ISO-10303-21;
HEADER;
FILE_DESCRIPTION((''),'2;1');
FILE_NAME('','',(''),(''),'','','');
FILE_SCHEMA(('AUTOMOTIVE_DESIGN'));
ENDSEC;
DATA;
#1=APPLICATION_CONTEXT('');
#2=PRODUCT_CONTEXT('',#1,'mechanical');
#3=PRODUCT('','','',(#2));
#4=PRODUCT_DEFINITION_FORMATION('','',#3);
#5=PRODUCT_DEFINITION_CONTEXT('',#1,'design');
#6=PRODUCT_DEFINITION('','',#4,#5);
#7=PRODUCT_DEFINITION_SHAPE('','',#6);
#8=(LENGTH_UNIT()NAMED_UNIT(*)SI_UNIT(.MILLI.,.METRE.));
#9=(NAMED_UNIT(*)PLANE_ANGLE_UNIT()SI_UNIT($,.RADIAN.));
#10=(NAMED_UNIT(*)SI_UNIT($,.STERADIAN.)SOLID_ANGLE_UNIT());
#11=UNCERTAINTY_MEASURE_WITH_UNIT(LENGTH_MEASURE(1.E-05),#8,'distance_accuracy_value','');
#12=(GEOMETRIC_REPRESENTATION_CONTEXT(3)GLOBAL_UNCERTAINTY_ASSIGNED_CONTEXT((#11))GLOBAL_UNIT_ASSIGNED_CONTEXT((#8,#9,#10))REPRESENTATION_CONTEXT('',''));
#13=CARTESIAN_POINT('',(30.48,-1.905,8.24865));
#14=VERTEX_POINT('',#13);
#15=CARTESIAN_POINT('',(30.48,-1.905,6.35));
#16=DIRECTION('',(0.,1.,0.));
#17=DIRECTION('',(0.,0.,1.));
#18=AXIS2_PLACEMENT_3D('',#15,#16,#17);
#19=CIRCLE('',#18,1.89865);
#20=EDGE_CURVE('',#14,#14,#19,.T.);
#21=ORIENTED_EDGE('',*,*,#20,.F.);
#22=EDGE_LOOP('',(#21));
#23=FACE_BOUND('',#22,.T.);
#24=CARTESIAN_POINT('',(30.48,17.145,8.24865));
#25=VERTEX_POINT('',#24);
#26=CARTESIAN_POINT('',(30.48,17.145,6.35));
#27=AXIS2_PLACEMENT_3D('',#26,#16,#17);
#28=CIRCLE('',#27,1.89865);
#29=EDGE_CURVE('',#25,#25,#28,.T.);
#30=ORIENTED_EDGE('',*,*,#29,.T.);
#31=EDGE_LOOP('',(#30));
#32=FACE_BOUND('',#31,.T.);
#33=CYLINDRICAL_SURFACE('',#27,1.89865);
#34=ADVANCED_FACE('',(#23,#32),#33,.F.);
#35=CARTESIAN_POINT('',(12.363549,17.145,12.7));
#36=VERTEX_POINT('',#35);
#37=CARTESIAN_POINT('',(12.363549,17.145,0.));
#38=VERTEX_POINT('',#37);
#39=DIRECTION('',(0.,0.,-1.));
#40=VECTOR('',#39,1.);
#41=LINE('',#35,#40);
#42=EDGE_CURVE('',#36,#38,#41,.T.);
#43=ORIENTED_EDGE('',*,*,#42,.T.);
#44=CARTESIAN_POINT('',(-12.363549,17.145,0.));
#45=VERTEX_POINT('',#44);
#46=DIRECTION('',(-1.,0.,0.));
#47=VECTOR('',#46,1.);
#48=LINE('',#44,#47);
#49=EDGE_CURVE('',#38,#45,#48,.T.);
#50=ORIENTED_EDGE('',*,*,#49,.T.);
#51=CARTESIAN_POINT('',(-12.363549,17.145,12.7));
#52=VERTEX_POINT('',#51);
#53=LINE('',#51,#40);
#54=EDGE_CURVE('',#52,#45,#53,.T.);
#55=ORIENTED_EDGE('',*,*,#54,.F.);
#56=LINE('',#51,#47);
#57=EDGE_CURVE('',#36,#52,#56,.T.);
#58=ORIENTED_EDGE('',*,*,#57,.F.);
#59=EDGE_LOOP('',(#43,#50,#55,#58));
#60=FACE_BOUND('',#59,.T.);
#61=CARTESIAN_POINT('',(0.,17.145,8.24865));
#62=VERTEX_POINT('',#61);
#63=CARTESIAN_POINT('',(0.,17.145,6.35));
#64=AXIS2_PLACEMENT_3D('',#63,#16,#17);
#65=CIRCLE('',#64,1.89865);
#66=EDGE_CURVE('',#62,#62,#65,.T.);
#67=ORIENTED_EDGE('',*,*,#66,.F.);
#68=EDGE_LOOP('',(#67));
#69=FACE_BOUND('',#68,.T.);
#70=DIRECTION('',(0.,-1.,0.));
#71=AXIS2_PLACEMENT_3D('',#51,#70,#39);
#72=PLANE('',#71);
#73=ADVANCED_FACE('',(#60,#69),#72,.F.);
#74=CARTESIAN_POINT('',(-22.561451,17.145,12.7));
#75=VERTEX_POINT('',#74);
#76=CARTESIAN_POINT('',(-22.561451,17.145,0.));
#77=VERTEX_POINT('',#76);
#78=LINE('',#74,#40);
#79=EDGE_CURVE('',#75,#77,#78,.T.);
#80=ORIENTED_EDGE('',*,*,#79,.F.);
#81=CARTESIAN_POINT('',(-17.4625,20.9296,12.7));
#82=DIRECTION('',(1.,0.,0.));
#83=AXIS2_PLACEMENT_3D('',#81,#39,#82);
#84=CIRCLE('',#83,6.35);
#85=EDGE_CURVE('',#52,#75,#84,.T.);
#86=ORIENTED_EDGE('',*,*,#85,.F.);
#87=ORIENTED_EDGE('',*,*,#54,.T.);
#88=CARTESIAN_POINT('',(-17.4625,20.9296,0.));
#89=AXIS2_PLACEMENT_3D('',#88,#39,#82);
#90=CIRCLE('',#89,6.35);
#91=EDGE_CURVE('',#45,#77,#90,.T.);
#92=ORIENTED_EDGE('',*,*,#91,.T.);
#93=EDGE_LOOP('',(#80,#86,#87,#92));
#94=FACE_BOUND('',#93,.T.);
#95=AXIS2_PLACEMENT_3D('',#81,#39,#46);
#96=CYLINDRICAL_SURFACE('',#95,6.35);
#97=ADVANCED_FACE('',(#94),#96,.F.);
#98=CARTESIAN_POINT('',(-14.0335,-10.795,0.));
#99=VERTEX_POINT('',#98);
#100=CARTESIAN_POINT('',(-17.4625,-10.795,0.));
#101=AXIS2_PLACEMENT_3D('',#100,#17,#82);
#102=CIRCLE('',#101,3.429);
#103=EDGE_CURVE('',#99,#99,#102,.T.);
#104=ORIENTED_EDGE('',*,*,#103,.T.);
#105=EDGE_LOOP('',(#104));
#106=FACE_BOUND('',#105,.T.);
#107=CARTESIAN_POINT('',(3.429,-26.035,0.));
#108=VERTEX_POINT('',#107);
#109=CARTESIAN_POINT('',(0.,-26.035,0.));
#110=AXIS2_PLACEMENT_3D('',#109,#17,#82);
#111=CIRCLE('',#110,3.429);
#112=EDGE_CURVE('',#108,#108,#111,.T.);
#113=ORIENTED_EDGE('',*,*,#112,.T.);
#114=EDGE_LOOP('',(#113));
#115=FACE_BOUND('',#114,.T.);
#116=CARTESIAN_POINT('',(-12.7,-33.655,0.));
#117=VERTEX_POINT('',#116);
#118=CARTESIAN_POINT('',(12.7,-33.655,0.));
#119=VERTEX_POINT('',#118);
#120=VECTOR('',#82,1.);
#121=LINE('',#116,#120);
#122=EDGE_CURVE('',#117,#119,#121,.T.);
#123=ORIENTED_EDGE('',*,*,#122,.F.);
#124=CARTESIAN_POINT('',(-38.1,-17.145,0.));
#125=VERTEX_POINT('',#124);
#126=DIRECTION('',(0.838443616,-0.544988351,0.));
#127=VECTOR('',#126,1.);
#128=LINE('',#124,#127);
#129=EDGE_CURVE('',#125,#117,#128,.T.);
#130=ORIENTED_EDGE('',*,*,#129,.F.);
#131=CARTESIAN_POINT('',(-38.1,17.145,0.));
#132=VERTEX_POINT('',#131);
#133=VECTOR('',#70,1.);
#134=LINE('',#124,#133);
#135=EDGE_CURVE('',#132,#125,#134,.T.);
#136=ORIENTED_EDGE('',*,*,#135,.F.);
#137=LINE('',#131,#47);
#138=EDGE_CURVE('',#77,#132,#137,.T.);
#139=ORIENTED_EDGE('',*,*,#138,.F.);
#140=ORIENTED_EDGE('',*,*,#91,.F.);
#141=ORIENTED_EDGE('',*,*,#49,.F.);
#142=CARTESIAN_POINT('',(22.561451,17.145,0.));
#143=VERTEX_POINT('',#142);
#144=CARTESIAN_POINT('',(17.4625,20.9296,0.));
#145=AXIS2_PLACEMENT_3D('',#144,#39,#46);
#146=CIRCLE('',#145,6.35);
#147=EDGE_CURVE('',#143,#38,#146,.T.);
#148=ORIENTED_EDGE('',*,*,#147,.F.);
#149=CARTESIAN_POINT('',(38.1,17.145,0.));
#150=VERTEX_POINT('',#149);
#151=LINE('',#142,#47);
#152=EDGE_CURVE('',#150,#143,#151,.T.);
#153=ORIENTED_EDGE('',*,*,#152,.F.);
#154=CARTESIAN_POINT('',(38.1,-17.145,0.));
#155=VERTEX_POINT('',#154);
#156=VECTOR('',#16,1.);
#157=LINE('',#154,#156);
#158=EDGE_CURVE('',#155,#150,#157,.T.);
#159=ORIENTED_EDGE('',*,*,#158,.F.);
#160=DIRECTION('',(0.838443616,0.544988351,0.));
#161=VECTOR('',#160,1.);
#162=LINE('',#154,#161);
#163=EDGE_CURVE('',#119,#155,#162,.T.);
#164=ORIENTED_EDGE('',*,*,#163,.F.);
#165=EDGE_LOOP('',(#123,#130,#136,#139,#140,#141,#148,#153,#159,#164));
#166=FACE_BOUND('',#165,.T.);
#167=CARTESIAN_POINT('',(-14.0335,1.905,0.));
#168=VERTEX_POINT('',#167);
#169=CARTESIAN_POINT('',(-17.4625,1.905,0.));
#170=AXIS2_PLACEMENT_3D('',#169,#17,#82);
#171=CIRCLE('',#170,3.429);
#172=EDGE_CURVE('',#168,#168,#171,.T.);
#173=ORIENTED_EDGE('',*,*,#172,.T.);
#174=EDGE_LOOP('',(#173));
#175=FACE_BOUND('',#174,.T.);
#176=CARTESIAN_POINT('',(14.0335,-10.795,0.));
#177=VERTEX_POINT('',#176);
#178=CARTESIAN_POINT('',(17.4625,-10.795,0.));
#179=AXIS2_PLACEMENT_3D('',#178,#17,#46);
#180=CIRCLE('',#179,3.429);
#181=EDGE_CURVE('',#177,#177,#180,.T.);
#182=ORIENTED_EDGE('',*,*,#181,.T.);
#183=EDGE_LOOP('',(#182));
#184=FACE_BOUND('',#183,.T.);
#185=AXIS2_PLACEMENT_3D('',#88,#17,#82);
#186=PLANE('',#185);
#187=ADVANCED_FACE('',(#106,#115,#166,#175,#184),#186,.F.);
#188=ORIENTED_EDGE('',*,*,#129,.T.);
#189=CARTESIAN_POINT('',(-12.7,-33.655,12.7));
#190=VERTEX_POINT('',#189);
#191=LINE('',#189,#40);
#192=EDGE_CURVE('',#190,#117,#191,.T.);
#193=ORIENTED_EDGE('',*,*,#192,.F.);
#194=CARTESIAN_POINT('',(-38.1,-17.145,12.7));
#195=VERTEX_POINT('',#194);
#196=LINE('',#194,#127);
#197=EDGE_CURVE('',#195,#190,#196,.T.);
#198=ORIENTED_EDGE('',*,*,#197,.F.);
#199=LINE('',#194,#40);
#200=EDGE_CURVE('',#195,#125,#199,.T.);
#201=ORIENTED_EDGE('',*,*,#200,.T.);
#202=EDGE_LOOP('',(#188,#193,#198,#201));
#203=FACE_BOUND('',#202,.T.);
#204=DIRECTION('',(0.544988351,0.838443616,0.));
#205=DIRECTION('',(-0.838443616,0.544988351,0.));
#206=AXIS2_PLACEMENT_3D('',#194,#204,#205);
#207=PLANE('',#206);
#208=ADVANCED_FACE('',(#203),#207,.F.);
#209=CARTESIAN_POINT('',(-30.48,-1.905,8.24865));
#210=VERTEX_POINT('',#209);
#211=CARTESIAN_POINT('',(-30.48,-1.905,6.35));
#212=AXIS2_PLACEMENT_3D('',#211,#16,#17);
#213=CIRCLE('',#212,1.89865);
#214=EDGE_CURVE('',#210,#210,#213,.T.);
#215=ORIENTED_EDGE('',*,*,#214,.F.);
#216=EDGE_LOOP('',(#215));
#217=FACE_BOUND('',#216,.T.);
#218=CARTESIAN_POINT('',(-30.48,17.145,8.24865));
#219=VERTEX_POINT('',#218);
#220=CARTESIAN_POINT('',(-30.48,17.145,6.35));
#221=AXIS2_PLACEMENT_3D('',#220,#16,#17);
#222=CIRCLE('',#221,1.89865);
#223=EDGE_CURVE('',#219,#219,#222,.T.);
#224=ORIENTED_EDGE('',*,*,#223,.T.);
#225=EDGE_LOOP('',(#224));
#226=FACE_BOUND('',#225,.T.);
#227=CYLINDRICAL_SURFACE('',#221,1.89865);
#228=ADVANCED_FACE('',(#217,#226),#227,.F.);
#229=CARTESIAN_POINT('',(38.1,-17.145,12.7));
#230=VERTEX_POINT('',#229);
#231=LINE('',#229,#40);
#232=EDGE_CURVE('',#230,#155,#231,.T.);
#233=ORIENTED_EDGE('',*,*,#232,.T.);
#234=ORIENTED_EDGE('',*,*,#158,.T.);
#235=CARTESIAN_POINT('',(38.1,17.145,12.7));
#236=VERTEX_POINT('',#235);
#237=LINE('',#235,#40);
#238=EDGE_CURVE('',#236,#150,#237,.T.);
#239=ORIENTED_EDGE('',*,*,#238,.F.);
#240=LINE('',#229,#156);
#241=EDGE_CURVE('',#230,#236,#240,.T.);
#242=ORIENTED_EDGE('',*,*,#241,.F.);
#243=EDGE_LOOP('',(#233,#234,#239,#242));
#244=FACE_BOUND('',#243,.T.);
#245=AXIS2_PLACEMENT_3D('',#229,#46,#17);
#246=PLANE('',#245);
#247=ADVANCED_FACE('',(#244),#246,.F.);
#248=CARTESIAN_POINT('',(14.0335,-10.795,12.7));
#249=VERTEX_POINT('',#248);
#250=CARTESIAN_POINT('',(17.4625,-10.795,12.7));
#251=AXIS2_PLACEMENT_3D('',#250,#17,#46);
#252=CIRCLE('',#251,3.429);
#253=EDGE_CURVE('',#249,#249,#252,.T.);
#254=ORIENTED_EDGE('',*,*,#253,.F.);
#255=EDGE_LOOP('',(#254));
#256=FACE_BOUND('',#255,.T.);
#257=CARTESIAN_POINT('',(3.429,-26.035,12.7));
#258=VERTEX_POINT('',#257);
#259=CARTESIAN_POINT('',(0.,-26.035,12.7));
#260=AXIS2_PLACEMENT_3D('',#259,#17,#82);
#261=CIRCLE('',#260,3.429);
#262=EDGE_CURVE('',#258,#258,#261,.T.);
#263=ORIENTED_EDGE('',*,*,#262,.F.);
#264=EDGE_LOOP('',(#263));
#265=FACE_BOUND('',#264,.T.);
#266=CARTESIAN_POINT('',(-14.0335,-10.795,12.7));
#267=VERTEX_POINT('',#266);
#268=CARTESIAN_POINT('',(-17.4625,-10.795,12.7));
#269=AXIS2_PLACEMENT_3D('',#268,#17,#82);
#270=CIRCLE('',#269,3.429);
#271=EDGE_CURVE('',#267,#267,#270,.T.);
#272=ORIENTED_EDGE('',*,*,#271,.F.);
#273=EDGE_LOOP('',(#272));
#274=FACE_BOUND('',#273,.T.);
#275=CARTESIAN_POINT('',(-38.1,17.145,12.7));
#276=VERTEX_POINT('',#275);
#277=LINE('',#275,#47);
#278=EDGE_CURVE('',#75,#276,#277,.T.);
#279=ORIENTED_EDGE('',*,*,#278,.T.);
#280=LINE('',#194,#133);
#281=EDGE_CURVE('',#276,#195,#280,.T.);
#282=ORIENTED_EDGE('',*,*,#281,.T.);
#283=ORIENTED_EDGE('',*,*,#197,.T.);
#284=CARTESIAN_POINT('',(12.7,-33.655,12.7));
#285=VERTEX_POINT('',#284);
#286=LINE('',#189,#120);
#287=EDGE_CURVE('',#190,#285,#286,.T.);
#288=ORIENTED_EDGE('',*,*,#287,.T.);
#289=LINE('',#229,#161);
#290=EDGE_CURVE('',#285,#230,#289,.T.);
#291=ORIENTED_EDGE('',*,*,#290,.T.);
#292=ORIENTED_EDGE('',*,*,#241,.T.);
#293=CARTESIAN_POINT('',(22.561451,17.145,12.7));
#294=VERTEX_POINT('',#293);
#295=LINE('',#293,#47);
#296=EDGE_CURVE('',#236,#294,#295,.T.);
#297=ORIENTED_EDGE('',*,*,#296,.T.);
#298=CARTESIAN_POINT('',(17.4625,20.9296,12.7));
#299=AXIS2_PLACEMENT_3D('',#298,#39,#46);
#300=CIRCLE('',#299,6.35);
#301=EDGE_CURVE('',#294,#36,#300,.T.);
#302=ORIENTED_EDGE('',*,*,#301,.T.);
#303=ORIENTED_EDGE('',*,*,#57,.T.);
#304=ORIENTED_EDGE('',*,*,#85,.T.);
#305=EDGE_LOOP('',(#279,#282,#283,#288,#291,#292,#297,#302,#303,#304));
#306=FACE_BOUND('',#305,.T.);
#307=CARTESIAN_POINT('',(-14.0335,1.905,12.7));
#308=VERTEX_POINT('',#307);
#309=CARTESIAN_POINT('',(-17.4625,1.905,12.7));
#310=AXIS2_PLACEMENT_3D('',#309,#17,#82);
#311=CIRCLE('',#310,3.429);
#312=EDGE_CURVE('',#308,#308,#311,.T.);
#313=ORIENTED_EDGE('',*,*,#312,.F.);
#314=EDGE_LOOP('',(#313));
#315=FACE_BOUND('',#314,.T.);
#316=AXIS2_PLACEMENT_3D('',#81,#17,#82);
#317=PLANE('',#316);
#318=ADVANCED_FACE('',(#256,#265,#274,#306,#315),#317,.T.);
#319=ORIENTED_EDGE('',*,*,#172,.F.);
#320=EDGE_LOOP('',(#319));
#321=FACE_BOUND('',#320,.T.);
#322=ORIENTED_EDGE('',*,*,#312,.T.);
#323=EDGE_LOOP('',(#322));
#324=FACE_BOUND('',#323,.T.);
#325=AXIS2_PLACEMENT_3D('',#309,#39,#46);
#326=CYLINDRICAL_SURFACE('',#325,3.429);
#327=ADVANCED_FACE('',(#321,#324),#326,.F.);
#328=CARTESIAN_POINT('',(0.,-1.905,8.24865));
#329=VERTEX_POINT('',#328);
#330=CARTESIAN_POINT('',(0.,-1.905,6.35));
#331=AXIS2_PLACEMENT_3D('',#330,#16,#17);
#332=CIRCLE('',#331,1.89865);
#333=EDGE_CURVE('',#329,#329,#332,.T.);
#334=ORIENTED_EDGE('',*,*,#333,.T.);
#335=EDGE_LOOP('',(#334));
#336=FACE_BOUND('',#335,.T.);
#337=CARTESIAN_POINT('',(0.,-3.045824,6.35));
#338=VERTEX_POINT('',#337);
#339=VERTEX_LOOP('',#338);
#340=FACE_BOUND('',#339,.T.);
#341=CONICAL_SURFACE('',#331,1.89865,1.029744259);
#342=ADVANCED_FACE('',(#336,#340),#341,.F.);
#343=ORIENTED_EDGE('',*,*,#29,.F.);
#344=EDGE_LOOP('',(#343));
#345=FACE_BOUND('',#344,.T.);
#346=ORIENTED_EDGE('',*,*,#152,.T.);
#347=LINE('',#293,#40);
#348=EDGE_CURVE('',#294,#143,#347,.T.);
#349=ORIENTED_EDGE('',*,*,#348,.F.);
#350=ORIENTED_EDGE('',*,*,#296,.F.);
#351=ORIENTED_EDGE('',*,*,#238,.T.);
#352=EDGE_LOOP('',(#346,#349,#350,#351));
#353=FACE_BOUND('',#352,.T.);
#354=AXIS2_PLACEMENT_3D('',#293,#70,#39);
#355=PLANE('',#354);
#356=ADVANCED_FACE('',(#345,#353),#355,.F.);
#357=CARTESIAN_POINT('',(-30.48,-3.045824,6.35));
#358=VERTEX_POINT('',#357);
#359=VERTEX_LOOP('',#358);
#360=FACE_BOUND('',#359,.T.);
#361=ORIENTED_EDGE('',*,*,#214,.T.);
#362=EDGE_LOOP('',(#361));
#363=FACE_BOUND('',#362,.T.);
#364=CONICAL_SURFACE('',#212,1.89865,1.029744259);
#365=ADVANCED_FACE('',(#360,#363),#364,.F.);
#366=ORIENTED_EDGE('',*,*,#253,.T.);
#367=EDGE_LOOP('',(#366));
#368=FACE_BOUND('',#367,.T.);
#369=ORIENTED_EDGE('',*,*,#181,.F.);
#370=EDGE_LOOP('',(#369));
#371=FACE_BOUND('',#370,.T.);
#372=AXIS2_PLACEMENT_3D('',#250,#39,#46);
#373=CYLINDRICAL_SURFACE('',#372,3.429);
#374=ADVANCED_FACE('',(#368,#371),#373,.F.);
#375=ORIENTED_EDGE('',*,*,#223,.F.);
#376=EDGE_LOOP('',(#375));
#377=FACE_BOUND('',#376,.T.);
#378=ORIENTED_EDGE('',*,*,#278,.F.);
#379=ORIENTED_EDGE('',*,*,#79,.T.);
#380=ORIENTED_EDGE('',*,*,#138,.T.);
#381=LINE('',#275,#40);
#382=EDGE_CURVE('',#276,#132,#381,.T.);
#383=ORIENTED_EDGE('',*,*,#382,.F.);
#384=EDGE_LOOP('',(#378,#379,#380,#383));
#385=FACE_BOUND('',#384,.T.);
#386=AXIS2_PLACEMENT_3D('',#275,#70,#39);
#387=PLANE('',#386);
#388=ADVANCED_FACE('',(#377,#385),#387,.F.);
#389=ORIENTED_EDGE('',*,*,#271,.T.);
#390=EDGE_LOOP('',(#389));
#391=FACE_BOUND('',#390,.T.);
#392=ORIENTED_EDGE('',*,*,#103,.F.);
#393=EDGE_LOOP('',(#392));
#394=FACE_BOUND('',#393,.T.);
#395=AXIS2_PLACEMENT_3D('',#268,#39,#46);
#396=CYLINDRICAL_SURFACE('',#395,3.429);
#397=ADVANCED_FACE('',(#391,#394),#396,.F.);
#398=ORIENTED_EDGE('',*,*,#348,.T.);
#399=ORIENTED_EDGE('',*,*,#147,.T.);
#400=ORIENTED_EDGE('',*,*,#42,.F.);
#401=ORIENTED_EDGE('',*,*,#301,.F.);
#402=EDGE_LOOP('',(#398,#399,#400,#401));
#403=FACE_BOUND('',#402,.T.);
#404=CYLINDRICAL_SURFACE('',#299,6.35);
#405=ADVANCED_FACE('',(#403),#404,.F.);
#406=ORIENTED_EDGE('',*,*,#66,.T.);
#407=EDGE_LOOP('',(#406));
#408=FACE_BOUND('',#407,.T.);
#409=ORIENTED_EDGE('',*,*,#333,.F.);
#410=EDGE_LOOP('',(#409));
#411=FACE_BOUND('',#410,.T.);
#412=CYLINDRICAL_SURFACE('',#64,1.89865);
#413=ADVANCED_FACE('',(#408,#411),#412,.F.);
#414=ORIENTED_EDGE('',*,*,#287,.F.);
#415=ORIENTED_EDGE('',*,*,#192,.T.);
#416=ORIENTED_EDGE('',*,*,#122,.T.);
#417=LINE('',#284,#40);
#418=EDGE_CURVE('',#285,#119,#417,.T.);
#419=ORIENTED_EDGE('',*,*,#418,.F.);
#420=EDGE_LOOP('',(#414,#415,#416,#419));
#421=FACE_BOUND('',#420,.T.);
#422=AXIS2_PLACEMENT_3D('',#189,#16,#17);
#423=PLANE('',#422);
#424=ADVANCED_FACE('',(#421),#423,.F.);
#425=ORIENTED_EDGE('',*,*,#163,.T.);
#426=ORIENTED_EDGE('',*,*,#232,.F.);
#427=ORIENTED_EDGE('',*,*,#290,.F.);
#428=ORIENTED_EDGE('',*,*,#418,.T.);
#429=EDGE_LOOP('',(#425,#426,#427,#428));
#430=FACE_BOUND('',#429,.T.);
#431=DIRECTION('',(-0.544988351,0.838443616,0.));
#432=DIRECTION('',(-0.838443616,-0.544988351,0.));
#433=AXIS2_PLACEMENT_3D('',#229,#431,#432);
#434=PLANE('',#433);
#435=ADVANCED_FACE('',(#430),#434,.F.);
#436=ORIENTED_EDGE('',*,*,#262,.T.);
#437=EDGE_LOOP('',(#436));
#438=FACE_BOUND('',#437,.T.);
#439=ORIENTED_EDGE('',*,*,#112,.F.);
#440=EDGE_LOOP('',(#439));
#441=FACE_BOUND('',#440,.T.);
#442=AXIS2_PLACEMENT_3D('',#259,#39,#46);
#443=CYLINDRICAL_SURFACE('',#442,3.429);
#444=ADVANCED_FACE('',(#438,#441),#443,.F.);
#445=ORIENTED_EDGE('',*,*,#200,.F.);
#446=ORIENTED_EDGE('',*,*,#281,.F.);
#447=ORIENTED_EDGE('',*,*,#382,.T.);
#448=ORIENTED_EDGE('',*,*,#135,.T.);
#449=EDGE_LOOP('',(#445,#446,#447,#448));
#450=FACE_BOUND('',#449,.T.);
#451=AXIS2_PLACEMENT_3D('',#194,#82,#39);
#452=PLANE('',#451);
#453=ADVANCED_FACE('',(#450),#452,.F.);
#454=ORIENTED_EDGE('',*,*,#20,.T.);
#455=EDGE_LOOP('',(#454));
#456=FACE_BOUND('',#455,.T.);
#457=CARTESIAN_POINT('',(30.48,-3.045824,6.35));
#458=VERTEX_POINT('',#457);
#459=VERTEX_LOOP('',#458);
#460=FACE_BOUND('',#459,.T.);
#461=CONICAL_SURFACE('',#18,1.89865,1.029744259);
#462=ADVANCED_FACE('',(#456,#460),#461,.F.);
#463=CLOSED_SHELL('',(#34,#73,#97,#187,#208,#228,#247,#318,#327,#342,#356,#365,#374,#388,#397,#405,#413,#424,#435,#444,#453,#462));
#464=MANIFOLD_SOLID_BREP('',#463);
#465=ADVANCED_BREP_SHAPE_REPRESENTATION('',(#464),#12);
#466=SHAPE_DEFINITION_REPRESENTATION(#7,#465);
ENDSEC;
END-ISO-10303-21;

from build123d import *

# Parameters (mm, degrees)
SKETCH1_R                  = 3.429
BOSS_EXTRUDE1_DEPTH        = 12.7
F_10_24_TAPPED_HOLE1_D     = 3.7973
F_10_24_TAPPED_HOLE1_DEPTH = 19.05
F_10_24_TAPPED_HOLE1_TIP   = 1.140824014


with BuildPart() as part:
    # Sketch1 → Boss-Extrude1 (new body)
    with BuildSketch(Plane.XY):
        with BuildLine():
            Line((-38.1, -17.145), (-38.1, 17.145))
            Line((-38.1, 17.145), (-22.561451151, 17.145))
            ThreePointArc((-22.561451151, 17.145), (-17.4625, 14.5796), (-12.363548849, 17.145))
            Line((-12.363548849, 17.145), (12.363548849, 17.145))
            ThreePointArc((12.363548849, 17.145), (17.4625, 14.5796), (22.561451151, 17.145))
            Line((22.561451151, 17.145), (38.1, 17.145))
            Line((38.1, 17.145), (38.1, -17.145))
            Line((38.1, -17.145), (12.7, -33.655))
            Line((12.7, -33.655), (-12.7, -33.655))
            Line((-12.7, -33.655), (-38.1, -17.145))
        make_face()
        with Locations((-17.4625, -10.795)):
            Circle(SKETCH1_R, mode=Mode.SUBTRACT)
        with Locations(Location((17.4625, -10.795, 0), (0, 0, 180))):
            Circle(SKETCH1_R, mode=Mode.SUBTRACT)
        with Locations((-17.4625, 1.905)):
            Circle(SKETCH1_R, mode=Mode.SUBTRACT)
        with Locations((0, -26.035)):
            Circle(SKETCH1_R, mode=Mode.SUBTRACT)
    extrude(amount=BOSS_EXTRUDE1_DEPTH)

    # #10-24 Tapped Hole1
    with Locations(Plane(origin=(0, 17.145, 0), x_dir=(1, 0, 0), z_dir=(0, 1, 0))):
        with Locations((-30.48, -6.35), (0, -6.35), (30.48, -6.35)):
            Hole(F_10_24_TAPPED_HOLE1_D / 2, depth=F_10_24_TAPPED_HOLE1_DEPTH)
            with Locations((0, 0, -(F_10_24_TAPPED_HOLE1_DEPTH + F_10_24_TAPPED_HOLE1_TIP / 2))):  # 118° drill point
                Cone(0, F_10_24_TAPPED_HOLE1_D / 2, F_10_24_TAPPED_HOLE1_TIP, mode=Mode.SUBTRACT)


solid = part.part
